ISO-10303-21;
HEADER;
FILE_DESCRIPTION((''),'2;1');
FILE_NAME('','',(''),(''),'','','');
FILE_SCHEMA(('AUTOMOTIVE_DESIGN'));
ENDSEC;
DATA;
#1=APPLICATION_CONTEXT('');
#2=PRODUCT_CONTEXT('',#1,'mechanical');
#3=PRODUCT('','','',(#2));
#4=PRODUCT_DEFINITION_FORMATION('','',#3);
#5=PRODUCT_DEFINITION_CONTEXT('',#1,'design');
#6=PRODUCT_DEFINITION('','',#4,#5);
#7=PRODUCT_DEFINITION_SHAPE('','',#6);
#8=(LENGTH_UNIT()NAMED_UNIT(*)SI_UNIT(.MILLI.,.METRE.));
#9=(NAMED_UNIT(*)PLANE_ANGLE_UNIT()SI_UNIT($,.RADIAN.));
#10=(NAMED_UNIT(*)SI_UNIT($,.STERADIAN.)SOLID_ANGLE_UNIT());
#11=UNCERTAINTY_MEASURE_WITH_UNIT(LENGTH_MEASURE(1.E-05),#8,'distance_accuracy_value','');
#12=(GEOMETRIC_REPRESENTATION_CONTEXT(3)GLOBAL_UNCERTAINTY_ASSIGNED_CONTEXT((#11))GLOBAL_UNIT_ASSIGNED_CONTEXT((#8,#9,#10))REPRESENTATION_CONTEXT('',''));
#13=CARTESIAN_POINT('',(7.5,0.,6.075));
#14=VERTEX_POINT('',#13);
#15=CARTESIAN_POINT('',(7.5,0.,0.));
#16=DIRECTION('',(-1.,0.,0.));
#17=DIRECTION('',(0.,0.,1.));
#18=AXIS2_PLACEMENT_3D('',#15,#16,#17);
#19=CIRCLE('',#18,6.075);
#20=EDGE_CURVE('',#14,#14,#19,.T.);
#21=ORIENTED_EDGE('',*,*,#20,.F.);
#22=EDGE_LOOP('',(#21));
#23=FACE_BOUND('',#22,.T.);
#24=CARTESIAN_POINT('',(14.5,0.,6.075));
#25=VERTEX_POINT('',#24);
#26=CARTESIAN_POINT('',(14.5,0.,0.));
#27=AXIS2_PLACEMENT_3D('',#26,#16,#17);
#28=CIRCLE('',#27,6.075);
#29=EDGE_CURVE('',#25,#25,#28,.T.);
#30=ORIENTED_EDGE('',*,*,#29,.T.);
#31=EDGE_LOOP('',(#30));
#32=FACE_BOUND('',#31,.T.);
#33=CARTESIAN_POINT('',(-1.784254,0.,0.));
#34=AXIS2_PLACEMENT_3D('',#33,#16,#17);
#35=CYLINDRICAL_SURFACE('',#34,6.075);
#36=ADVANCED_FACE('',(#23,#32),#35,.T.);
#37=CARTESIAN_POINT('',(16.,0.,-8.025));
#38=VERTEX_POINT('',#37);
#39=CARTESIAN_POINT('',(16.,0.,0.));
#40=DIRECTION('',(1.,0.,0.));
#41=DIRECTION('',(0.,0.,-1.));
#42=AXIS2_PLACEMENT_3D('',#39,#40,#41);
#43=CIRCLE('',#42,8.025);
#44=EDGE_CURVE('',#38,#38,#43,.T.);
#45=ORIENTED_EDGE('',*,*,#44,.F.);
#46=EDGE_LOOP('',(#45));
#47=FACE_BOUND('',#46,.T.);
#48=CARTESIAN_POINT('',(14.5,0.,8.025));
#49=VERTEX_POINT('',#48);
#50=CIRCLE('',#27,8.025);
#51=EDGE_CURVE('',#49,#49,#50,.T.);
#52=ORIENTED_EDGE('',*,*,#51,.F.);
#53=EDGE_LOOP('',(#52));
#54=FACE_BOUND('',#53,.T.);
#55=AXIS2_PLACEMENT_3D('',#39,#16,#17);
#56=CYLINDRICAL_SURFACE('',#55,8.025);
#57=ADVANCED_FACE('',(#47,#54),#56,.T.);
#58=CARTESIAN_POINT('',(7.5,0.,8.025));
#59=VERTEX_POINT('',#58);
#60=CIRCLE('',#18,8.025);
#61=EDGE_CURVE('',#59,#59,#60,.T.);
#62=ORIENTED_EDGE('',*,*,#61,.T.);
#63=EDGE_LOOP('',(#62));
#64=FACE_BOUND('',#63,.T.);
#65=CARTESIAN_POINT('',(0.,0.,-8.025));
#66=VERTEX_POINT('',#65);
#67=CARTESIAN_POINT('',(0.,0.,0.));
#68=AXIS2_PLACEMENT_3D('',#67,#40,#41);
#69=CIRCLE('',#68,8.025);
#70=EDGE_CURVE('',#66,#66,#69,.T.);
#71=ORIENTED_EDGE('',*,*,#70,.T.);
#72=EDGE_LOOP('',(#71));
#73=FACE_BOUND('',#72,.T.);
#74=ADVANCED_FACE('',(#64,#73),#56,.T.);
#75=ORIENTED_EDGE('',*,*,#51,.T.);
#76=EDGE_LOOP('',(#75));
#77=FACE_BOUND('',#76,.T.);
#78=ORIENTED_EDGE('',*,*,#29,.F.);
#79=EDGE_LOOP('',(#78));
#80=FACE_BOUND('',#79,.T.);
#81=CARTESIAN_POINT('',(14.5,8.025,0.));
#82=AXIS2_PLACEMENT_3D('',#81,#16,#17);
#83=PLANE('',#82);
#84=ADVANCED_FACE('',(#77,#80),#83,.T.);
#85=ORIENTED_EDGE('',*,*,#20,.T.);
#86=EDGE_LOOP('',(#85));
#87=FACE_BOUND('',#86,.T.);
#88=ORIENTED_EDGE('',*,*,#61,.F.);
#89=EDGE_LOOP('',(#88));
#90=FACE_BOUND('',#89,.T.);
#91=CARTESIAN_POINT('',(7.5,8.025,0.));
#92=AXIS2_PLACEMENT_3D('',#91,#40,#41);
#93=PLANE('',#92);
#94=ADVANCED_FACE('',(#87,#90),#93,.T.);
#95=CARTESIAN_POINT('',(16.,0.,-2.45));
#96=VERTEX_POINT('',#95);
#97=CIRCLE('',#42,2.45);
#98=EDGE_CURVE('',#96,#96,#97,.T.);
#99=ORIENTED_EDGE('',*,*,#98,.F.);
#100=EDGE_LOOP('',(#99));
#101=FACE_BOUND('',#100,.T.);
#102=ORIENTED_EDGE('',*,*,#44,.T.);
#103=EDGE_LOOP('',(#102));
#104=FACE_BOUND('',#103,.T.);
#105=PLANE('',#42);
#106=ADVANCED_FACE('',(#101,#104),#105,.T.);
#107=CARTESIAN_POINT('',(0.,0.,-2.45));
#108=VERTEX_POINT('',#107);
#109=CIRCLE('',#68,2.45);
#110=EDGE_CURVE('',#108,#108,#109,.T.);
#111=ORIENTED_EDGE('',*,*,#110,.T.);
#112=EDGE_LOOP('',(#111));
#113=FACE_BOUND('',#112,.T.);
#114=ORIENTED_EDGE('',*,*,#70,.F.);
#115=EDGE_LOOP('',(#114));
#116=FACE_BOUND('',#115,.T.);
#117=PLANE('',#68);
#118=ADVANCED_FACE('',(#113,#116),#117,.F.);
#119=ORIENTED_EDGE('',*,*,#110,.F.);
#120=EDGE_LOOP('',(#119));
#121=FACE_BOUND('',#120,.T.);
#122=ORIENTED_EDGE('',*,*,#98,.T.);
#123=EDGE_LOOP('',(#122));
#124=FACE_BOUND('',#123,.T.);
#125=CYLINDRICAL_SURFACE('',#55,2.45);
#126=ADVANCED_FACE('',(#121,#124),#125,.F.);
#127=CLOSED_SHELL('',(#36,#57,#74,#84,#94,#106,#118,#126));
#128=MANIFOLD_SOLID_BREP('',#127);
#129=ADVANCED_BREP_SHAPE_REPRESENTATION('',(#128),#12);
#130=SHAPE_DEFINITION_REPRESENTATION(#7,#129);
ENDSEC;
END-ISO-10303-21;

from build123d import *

# Parameters (mm, degrees)
SKETCH1_R           = 8.025
SKETCH1_R_2         = 2.45
BOSS_EXTRUDE1_DEPTH = 16
SKETCH3_W           = 7
SKETCH3_H           = 1.95


with BuildPart() as part:
    # Sketch1 → Boss-Extrude1 (new body)
    with BuildSketch(Plane(origin=(0, 0, 0), x_dir=(0, 0, -1), z_dir=(1, 0, 0))):
        Circle(SKETCH1_R)
        Circle(SKETCH1_R_2, mode=Mode.SUBTRACT)
    extrude(amount=BOSS_EXTRUDE1_DEPTH)

    # Sketch3 → Cut-Revolve1 (revolve, cut)
    with BuildSketch(Plane.XY, mode=Mode.PRIVATE) as cut_revolve1_sk:
        with Locations((11, 7.05)):
            Rectangle(SKETCH3_W, SKETCH3_H)
    revolve(cut_revolve1_sk.sketch.rotate(Axis((-1.784254148, 0, 0), (1, 0, 0)), 90), axis=Axis((-1.784254148, 0, 0), (1, 0, 0)), mode=Mode.SUBTRACT)


solid = part.part
